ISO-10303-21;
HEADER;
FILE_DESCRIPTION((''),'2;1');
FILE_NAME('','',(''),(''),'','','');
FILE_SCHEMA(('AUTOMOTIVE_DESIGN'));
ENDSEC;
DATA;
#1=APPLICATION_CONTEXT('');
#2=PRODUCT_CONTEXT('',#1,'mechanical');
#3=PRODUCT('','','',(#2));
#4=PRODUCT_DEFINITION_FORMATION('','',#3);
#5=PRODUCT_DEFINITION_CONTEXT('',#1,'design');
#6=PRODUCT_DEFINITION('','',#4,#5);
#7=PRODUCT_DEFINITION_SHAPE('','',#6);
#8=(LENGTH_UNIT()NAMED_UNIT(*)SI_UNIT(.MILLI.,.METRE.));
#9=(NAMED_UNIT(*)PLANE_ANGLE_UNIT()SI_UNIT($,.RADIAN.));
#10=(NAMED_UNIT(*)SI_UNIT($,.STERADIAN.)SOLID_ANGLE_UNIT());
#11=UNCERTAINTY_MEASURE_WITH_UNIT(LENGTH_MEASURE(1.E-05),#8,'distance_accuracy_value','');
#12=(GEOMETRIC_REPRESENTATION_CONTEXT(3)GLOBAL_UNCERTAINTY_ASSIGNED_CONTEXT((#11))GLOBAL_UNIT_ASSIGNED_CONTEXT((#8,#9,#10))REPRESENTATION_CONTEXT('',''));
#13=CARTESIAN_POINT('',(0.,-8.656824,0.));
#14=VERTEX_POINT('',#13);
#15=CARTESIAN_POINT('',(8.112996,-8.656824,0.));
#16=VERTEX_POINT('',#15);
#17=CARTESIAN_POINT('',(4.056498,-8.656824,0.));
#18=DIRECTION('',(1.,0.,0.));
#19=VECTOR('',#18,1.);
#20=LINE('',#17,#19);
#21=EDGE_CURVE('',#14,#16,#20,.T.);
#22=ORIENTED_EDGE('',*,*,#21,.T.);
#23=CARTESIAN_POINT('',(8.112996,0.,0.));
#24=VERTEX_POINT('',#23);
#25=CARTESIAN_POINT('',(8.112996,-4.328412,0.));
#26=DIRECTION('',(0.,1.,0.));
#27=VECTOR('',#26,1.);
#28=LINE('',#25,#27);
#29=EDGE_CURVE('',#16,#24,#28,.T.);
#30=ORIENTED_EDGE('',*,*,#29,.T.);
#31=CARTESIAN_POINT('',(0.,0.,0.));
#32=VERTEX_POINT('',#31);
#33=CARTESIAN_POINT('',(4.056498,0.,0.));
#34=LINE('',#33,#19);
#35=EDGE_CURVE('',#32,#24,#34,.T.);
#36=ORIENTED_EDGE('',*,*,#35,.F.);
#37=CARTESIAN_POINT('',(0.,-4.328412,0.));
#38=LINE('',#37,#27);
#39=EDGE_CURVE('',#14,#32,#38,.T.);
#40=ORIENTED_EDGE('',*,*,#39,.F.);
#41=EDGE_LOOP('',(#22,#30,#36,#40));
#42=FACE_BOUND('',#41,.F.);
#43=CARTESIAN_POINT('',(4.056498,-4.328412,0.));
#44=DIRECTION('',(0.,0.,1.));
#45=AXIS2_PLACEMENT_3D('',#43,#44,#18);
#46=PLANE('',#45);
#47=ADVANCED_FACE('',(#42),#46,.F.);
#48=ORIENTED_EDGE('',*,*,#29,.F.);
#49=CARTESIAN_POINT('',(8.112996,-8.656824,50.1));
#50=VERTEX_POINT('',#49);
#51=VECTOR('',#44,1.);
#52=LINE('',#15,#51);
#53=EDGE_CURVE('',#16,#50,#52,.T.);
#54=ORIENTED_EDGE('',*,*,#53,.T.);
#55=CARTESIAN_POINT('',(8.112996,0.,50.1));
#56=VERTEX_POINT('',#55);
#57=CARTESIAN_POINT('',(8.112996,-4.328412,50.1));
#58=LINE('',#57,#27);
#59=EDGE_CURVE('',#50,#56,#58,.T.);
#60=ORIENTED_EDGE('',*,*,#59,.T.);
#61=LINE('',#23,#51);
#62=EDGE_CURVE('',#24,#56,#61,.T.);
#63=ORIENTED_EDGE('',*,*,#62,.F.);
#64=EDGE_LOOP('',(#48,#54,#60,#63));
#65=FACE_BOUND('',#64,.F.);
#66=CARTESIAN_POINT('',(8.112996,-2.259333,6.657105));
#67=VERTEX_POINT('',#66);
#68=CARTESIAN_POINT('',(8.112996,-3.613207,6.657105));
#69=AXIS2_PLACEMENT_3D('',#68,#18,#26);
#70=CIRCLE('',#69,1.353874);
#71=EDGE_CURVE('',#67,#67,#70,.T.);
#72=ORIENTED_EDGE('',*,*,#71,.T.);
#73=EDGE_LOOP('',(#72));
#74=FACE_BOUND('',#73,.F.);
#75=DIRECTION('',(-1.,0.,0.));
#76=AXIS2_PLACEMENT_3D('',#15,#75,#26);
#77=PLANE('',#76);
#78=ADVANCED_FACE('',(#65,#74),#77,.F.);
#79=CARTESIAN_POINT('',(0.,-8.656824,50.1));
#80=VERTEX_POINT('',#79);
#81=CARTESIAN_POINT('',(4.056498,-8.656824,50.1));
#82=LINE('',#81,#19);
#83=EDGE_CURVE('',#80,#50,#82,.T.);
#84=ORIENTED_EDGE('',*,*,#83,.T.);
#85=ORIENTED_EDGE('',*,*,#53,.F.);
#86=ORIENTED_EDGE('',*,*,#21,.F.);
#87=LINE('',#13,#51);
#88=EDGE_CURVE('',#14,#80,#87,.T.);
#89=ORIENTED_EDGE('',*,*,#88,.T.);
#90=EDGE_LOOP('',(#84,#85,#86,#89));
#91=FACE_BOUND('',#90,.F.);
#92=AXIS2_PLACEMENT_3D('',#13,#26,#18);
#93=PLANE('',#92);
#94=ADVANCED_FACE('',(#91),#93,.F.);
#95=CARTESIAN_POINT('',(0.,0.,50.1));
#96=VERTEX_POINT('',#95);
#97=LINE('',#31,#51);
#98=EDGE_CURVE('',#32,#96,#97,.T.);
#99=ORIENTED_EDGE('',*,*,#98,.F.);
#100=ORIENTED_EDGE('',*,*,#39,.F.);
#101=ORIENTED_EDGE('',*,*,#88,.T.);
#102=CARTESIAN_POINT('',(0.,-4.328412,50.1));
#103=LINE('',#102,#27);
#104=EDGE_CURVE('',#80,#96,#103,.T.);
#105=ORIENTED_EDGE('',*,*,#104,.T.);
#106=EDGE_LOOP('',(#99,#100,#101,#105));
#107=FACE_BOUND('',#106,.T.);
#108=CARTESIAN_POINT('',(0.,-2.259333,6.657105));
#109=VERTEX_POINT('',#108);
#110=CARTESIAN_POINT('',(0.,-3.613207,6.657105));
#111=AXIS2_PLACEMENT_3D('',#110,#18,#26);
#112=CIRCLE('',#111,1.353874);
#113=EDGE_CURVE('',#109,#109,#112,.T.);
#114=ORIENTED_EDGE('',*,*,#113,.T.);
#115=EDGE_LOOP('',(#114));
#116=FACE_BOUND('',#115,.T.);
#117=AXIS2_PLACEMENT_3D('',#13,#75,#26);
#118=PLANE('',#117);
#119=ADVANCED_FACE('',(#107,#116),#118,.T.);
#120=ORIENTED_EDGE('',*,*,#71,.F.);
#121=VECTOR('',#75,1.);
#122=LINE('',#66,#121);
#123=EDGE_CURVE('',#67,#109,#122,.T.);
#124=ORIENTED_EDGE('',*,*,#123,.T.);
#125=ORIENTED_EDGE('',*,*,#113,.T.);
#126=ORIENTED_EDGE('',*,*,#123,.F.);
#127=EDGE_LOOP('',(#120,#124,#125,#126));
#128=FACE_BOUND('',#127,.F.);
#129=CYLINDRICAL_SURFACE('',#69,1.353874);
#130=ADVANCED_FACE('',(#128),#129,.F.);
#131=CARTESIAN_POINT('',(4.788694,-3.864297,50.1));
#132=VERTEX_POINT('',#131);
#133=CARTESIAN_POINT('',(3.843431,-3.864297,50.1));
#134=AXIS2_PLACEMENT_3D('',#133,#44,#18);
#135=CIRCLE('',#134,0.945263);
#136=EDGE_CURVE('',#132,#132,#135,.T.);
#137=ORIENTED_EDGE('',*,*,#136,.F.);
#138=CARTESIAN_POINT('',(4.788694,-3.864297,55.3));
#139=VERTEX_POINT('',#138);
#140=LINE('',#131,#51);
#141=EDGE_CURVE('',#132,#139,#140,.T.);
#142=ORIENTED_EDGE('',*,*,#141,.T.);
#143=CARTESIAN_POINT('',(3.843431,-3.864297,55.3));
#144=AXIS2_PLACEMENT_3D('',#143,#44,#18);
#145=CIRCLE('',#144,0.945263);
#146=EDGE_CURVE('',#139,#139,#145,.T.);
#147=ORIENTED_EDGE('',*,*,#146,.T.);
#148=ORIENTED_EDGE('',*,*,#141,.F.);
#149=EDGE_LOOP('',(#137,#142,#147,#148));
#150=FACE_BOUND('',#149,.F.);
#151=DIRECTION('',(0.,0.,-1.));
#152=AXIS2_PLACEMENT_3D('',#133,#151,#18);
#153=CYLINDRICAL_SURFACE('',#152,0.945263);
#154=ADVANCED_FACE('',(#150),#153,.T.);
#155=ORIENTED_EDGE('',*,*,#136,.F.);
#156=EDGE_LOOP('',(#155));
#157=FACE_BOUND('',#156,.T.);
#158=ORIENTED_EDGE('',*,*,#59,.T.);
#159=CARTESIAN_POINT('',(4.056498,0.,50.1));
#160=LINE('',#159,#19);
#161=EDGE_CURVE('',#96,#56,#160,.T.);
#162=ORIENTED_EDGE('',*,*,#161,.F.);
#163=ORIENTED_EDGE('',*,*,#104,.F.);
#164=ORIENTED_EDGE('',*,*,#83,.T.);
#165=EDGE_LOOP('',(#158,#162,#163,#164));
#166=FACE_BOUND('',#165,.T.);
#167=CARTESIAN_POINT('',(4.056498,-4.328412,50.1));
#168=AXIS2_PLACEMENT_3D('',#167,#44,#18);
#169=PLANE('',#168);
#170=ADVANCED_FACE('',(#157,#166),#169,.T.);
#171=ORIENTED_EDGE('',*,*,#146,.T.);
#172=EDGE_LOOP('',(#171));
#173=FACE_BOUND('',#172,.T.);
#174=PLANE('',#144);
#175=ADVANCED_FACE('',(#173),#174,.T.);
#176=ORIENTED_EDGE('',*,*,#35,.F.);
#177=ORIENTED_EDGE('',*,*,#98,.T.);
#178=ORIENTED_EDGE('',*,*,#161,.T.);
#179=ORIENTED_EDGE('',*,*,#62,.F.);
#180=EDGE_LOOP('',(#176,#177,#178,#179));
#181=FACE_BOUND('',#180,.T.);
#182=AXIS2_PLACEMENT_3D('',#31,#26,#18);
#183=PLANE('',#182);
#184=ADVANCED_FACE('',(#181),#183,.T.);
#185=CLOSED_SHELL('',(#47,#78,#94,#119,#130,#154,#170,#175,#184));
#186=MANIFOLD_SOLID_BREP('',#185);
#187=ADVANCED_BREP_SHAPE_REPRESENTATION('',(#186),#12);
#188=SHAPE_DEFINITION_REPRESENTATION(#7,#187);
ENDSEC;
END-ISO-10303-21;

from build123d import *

# Parameters (mm, degrees)
F0_W     = 8.112996
F0_H     = 8.656824
F1_DEPTH = 50.1
F2_R     = 1.353874
F3_DEPTH = 25
F4_R     = 0.945263
F5_DEPTH = 5.2


with BuildPart() as f1:
    # F0 (on Top) → F1 (new body)
    with BuildSketch(Plane.XY):
        with Locations((4.056498, -4.328412)):
            Rectangle(F0_W, F0_H)
    extrude(amount=F1_DEPTH)

    # F2 (on face) → F3 (cut)
    with BuildSketch(Plane.YZ.offset(8.112996)):
        with Locations((-3.613207, 6.657105)):
            Circle(F2_R)
    extrude(amount=-F3_DEPTH, mode=Mode.SUBTRACT)

    # F4 (on face) → F5 (join)
    with BuildSketch(Plane.XY.offset(50.1)):
        with Locations((3.843431, -3.864297)):
            Circle(F4_R)
    extrude(amount=F5_DEPTH)


solid = f1.part
